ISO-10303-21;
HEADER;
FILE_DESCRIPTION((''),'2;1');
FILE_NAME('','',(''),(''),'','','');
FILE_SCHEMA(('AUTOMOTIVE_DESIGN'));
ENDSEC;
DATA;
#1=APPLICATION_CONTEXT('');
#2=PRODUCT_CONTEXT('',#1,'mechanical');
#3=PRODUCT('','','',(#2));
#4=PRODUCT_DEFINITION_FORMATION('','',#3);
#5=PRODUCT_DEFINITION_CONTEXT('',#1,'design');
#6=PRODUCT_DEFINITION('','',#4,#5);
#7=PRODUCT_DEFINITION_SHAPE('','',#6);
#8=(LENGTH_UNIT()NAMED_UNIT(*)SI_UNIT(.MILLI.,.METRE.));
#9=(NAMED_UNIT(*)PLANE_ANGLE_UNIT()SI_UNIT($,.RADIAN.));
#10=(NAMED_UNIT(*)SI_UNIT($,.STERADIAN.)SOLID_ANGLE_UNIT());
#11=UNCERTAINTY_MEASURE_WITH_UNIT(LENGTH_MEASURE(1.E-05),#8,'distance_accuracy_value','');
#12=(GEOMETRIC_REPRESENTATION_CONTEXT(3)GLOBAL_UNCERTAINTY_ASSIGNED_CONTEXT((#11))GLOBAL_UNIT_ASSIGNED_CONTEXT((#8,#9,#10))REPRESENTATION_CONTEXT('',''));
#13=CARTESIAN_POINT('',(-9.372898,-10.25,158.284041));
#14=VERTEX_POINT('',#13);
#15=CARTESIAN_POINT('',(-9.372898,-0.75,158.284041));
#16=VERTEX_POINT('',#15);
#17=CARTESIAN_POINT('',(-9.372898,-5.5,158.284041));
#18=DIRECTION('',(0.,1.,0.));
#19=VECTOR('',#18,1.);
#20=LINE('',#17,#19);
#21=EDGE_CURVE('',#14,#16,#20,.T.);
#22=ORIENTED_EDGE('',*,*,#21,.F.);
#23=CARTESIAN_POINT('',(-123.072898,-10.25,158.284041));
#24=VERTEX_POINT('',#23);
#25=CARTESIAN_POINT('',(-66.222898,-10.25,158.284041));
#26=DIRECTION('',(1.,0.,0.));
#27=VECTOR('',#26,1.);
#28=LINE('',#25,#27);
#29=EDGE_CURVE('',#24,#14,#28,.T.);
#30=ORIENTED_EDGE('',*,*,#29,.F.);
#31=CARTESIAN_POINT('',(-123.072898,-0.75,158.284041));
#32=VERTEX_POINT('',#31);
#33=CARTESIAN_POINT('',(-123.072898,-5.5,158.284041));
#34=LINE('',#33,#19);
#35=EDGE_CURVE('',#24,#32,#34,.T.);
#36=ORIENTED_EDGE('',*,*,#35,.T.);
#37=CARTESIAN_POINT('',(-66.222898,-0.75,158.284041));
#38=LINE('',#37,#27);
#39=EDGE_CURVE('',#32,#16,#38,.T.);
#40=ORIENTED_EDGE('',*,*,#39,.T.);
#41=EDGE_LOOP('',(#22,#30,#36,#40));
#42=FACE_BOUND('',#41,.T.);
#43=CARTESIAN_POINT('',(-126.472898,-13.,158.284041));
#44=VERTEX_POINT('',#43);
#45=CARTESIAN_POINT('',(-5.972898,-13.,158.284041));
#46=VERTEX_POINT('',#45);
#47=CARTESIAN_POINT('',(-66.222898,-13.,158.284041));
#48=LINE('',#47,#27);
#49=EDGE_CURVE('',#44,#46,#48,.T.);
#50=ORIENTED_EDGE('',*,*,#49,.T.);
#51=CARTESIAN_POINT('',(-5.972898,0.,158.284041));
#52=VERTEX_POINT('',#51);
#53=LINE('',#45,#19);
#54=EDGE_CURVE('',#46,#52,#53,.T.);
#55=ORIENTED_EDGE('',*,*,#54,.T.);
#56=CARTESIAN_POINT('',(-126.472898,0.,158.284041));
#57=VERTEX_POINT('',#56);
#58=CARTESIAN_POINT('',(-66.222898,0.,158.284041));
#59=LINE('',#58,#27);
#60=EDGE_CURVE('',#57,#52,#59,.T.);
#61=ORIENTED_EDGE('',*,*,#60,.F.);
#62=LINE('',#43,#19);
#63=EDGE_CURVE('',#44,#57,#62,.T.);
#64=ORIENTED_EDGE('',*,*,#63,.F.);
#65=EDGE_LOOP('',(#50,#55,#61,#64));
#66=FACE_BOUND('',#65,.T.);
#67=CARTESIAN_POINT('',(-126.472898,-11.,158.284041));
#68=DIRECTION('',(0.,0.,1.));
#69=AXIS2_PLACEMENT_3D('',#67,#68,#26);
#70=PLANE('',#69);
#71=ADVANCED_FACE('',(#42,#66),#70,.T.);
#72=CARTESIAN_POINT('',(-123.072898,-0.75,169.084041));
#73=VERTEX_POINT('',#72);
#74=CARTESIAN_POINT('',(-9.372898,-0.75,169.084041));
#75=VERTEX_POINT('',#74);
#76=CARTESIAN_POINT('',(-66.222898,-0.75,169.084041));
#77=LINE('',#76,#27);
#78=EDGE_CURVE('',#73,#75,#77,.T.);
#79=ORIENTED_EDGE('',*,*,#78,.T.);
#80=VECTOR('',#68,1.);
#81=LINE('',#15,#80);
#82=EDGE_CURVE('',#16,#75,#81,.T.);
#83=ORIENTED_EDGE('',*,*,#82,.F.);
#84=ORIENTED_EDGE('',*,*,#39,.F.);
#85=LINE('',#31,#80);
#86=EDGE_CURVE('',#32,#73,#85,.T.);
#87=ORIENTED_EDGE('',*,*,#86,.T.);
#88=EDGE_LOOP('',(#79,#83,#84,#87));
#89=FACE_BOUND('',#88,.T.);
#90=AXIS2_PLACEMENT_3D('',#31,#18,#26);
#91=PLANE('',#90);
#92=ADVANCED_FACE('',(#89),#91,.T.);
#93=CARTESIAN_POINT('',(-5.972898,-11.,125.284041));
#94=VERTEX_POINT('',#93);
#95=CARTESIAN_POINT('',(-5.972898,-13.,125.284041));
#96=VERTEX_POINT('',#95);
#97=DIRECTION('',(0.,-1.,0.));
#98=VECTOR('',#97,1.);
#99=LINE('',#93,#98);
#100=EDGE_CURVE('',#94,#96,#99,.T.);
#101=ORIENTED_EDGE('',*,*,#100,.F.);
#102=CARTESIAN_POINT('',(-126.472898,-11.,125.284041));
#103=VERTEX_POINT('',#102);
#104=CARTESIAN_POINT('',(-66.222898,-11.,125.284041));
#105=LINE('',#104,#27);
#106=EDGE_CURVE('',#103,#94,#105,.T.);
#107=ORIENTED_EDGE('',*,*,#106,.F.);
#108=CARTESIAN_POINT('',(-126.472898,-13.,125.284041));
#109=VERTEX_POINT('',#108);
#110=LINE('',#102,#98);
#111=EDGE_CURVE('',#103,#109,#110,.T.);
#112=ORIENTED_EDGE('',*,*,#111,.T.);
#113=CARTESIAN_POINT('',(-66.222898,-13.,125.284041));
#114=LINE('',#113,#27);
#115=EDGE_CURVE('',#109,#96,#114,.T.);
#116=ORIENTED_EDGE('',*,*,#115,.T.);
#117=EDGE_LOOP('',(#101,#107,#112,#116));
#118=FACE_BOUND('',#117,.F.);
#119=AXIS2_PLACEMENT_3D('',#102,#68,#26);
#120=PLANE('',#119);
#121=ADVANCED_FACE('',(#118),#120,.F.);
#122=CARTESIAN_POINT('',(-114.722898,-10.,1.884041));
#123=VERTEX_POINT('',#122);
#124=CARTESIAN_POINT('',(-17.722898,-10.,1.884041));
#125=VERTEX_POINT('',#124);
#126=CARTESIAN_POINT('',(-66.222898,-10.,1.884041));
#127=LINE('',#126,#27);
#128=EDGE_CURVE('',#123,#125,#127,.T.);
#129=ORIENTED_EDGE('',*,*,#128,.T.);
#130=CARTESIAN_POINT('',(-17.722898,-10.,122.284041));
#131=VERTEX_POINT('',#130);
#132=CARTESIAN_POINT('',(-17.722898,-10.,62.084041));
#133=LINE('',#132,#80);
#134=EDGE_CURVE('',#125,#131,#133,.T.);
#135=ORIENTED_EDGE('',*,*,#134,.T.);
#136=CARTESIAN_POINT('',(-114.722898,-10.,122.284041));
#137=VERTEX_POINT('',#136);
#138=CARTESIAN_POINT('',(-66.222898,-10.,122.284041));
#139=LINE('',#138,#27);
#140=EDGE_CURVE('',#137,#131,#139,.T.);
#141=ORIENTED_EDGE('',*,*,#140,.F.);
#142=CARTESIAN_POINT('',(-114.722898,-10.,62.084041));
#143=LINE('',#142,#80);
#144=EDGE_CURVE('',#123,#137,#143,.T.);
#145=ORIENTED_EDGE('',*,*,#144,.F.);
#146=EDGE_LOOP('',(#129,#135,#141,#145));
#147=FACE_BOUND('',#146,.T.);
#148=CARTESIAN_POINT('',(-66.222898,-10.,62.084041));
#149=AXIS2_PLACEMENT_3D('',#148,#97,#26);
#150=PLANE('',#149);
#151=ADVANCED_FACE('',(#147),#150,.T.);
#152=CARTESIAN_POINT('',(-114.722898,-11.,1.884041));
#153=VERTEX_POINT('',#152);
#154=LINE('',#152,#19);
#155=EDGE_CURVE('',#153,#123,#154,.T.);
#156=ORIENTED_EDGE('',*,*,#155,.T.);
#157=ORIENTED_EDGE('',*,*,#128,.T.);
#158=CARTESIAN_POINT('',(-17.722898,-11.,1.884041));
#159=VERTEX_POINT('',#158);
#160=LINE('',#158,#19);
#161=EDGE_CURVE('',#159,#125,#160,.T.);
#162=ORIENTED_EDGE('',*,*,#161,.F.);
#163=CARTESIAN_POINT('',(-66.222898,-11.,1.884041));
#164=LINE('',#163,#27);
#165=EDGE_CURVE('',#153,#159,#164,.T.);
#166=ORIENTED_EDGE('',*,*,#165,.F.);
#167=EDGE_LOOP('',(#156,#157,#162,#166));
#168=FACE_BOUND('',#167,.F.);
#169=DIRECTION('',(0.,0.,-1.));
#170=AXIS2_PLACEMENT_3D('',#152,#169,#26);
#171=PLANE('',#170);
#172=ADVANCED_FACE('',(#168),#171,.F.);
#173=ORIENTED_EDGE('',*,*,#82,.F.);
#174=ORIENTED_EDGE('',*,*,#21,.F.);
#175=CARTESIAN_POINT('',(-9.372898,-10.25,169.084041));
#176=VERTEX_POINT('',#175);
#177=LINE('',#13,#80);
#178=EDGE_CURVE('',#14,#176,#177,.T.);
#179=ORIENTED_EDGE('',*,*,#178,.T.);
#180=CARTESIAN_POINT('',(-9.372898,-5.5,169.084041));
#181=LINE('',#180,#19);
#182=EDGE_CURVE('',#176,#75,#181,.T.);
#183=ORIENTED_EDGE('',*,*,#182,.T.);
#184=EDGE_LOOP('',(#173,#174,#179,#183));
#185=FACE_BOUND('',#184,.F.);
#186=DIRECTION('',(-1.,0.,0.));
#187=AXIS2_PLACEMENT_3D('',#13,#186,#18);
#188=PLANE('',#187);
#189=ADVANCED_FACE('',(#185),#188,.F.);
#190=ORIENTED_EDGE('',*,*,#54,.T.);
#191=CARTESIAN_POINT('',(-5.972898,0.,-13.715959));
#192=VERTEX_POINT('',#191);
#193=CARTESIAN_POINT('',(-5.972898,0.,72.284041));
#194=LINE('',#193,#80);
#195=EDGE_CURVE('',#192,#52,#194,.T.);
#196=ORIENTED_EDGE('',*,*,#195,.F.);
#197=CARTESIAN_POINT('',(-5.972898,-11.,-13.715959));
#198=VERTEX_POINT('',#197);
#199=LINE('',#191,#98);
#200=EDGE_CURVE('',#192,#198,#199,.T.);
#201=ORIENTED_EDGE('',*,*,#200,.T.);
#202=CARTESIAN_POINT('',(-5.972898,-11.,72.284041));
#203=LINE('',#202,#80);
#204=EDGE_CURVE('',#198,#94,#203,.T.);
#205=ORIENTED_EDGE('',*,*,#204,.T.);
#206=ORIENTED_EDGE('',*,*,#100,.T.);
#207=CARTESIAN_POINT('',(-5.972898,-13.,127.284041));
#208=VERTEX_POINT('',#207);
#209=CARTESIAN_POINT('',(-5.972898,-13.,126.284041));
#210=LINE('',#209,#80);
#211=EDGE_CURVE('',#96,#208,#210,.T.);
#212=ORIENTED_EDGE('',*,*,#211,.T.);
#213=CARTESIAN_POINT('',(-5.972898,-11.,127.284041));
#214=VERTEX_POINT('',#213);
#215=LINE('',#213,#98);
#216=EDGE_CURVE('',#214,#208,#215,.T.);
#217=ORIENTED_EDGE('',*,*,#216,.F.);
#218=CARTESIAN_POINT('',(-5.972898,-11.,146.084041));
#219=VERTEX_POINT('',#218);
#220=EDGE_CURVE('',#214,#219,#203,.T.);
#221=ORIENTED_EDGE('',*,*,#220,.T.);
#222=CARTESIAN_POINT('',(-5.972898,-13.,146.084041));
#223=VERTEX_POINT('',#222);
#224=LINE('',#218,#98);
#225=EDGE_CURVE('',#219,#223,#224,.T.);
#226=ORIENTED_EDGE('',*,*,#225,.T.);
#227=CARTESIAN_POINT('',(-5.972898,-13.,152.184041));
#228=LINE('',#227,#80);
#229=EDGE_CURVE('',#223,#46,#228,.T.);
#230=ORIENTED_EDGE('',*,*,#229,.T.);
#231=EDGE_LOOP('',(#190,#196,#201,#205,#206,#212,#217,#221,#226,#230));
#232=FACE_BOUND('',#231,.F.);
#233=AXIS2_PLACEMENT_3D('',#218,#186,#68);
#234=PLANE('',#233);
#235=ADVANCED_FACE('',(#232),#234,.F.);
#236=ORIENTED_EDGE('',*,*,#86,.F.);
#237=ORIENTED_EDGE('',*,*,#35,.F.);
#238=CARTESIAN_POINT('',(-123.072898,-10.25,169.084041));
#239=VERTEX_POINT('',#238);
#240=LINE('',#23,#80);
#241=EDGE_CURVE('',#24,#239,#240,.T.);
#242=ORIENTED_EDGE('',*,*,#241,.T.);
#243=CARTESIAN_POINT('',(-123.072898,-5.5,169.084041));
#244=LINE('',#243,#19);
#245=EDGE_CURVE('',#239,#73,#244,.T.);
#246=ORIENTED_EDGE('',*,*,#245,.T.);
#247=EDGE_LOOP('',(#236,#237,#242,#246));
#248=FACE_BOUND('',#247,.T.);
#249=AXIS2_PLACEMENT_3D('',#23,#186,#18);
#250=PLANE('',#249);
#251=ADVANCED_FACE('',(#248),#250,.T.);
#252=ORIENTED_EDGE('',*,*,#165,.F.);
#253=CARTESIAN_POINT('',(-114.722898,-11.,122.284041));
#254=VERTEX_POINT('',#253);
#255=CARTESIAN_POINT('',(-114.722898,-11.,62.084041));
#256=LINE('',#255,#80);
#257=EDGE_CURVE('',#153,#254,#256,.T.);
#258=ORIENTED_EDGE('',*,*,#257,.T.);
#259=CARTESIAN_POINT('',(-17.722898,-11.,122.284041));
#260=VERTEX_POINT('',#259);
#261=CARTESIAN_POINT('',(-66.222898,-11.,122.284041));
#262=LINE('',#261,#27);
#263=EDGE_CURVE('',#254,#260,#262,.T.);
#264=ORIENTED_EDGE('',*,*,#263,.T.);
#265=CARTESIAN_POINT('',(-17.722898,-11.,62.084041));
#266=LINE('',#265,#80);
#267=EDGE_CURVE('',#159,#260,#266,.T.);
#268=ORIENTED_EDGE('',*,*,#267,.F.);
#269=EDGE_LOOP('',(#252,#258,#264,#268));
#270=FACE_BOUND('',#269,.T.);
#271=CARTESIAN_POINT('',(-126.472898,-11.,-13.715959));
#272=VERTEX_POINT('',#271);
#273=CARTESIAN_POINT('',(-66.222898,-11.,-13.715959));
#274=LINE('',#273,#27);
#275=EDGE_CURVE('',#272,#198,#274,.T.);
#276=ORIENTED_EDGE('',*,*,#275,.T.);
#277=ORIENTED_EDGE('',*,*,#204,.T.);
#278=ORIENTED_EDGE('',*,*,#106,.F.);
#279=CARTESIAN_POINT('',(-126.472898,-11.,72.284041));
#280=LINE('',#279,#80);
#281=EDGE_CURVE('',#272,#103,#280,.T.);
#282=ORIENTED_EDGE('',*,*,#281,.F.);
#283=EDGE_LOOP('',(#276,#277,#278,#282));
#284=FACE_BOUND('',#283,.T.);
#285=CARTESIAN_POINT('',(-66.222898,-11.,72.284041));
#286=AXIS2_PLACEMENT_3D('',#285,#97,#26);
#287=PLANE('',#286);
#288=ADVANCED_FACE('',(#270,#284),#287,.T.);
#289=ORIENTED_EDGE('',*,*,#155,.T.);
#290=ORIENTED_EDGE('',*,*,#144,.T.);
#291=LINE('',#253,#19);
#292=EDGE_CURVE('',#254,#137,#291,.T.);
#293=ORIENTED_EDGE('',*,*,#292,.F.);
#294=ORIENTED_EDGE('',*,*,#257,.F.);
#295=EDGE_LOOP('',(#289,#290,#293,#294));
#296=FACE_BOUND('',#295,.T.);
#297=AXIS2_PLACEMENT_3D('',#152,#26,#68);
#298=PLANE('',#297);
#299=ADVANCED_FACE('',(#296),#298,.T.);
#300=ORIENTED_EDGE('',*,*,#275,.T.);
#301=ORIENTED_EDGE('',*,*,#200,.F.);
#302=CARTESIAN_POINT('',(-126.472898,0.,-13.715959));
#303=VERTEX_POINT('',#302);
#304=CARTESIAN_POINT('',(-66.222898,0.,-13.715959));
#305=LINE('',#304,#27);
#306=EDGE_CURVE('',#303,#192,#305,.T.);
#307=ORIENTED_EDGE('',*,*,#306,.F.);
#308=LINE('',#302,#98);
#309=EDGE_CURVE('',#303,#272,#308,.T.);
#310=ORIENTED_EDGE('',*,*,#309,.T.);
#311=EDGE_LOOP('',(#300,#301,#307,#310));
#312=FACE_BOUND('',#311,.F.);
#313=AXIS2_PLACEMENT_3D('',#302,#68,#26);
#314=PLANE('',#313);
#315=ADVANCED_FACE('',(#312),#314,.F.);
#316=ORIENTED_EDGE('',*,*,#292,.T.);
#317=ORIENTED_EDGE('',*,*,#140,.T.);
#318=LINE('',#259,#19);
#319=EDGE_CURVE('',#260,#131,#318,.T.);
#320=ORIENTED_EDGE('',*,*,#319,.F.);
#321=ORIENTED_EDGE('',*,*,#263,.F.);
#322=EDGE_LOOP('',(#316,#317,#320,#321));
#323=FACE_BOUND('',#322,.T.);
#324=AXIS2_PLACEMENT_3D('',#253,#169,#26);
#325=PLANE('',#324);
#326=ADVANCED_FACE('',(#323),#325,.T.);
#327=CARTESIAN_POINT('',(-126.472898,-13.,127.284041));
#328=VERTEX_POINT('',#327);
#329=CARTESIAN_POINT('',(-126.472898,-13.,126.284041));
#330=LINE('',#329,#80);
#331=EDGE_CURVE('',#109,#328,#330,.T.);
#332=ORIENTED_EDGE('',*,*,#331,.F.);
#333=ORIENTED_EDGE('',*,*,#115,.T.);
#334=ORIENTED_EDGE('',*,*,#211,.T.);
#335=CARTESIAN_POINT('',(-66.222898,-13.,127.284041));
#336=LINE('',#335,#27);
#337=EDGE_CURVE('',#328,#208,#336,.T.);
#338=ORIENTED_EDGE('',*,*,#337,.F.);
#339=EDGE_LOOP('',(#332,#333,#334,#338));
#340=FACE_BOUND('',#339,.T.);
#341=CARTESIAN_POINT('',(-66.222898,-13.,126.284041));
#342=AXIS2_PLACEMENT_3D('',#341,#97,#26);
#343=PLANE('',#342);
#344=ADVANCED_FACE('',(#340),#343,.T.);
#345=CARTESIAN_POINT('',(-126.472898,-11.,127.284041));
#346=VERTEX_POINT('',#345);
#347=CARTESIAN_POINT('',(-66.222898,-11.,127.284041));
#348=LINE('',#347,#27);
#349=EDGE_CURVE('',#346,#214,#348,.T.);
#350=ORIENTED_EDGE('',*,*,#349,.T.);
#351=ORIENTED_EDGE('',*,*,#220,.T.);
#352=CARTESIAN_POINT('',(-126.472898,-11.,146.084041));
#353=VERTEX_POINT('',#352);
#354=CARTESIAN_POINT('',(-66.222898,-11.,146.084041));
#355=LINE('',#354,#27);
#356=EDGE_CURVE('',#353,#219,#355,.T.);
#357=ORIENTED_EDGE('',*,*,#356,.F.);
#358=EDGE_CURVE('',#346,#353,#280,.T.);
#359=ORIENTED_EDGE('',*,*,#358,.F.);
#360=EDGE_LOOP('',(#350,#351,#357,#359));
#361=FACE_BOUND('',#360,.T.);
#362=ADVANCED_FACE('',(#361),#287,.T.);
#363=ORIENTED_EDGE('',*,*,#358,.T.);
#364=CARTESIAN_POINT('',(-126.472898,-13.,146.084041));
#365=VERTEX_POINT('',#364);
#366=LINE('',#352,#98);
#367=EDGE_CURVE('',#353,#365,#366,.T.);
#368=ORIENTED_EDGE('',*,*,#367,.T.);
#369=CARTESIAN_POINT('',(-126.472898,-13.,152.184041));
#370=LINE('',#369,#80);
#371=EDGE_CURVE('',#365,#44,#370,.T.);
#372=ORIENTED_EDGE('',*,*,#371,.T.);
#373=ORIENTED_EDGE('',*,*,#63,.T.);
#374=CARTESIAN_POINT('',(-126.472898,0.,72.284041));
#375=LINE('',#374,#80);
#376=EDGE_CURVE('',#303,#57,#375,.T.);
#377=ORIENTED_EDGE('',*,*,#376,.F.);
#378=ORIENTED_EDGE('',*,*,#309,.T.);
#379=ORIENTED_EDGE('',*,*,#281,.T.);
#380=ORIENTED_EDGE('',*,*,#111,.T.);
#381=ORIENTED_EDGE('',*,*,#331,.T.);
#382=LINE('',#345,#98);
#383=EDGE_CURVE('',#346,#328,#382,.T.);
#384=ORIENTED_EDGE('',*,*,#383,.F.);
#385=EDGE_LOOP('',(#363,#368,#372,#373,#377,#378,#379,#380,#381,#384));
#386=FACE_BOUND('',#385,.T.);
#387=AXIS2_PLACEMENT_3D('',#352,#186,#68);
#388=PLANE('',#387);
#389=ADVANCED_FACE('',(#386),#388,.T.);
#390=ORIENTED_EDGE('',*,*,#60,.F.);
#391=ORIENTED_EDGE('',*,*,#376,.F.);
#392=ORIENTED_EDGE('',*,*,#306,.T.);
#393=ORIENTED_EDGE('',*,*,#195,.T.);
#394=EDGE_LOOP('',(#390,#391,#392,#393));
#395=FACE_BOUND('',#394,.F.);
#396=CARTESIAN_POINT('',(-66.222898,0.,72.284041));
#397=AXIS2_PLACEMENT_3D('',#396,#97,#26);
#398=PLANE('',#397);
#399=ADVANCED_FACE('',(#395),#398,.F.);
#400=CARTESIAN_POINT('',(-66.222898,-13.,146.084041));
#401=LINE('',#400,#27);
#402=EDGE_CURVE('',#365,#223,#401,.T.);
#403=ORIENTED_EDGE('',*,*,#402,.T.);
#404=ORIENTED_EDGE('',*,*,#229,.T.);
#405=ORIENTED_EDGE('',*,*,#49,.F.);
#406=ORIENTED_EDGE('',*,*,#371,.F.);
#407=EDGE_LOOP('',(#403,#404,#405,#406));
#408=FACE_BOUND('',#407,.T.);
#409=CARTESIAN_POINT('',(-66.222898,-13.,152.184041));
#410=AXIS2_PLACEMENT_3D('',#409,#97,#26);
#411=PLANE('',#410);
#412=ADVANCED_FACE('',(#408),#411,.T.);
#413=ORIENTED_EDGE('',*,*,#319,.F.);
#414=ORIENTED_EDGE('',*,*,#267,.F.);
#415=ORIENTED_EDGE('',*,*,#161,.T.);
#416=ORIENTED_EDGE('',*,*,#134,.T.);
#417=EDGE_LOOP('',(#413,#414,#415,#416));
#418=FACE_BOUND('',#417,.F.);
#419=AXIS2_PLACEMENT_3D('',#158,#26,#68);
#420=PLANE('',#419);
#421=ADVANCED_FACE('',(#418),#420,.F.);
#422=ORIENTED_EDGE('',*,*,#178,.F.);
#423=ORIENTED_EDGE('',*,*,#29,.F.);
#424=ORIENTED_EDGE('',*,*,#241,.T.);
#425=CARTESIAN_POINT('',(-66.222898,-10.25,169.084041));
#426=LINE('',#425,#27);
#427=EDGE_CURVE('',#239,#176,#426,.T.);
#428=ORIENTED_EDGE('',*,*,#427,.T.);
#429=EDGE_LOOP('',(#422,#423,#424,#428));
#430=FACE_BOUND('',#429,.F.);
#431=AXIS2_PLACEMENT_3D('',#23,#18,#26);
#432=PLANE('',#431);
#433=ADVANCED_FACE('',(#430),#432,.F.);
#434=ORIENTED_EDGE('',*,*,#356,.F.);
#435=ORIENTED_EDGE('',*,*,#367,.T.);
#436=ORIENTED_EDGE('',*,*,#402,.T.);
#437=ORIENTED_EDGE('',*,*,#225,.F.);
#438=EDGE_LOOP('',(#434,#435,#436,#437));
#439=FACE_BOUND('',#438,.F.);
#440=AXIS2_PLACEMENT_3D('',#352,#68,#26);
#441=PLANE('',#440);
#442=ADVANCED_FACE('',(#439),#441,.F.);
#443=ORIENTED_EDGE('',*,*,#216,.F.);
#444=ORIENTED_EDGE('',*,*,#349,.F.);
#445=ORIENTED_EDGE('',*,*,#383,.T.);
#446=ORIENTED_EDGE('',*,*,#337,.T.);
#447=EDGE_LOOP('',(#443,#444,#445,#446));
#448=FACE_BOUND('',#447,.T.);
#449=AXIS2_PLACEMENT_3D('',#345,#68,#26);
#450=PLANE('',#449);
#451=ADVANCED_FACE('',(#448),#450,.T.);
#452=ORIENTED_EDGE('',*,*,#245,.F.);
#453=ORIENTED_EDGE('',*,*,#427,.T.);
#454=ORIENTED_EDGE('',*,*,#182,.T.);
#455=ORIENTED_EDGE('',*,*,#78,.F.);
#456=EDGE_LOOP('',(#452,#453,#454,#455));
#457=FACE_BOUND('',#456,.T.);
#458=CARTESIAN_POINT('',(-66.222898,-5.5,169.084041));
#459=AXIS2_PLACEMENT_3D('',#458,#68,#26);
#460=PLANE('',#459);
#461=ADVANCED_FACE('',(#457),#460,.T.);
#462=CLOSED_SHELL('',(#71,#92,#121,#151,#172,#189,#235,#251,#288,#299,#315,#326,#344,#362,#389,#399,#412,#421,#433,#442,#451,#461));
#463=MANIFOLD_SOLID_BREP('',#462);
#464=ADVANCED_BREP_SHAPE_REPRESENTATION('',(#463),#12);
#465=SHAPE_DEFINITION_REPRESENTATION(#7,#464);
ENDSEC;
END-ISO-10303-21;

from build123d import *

# Parameters (mm, degrees)
F0_W     = 120.5
F0_H     = 172
F1_DEPTH = 11
F2_W     = 97
F2_H     = 120.4
F3_DEPTH = 1
F4_W     = 120.5
F4_H     = 2
F5_DEPTH = 2
F6_W     = 113.7
F6_H     = 9.5
F7_DEPTH = 10.8
F8_W     = 120.5
F8_H     = 12.2
F9_DEPTH = 2


with BuildPart() as f1:
    # F0 (on Front) → F1 (new body)
    with BuildSketch(Plane.XZ):
        with Locations((-66.222898, 72.284041)):
            Rectangle(F0_W, F0_H)
    extrude(amount=F1_DEPTH)

    # F2 (on face) → F3 (cut)
    with BuildSketch(Plane.XZ.offset(11)):
        with Locations((-66.222898, 62.084041)):
            Rectangle(F2_W, F2_H)
    extrude(amount=-F3_DEPTH, mode=Mode.SUBTRACT)

    # F4 (on face) → F5 (join)
    with BuildSketch(Plane.XZ.offset(11)):
        with Locations((-66.222898, 126.284041)):
            Rectangle(F4_W, F4_H)
    extrude(amount=F5_DEPTH)

    # F6 (on face) → F7 (join)
    with BuildSketch(Plane.XY.offset(158.284041)):
        with Locations((-66.222898, -5.5)):
            Rectangle(F6_W, F6_H)
    extrude(amount=F7_DEPTH)

    # F8 (on face) → F9 (join)
    with BuildSketch(Plane.XZ.offset(11)):
        with Locations((-66.222898, 152.184041)):
            Rectangle(F8_W, F8_H)
    extrude(amount=F9_DEPTH)


solid = f1.part
